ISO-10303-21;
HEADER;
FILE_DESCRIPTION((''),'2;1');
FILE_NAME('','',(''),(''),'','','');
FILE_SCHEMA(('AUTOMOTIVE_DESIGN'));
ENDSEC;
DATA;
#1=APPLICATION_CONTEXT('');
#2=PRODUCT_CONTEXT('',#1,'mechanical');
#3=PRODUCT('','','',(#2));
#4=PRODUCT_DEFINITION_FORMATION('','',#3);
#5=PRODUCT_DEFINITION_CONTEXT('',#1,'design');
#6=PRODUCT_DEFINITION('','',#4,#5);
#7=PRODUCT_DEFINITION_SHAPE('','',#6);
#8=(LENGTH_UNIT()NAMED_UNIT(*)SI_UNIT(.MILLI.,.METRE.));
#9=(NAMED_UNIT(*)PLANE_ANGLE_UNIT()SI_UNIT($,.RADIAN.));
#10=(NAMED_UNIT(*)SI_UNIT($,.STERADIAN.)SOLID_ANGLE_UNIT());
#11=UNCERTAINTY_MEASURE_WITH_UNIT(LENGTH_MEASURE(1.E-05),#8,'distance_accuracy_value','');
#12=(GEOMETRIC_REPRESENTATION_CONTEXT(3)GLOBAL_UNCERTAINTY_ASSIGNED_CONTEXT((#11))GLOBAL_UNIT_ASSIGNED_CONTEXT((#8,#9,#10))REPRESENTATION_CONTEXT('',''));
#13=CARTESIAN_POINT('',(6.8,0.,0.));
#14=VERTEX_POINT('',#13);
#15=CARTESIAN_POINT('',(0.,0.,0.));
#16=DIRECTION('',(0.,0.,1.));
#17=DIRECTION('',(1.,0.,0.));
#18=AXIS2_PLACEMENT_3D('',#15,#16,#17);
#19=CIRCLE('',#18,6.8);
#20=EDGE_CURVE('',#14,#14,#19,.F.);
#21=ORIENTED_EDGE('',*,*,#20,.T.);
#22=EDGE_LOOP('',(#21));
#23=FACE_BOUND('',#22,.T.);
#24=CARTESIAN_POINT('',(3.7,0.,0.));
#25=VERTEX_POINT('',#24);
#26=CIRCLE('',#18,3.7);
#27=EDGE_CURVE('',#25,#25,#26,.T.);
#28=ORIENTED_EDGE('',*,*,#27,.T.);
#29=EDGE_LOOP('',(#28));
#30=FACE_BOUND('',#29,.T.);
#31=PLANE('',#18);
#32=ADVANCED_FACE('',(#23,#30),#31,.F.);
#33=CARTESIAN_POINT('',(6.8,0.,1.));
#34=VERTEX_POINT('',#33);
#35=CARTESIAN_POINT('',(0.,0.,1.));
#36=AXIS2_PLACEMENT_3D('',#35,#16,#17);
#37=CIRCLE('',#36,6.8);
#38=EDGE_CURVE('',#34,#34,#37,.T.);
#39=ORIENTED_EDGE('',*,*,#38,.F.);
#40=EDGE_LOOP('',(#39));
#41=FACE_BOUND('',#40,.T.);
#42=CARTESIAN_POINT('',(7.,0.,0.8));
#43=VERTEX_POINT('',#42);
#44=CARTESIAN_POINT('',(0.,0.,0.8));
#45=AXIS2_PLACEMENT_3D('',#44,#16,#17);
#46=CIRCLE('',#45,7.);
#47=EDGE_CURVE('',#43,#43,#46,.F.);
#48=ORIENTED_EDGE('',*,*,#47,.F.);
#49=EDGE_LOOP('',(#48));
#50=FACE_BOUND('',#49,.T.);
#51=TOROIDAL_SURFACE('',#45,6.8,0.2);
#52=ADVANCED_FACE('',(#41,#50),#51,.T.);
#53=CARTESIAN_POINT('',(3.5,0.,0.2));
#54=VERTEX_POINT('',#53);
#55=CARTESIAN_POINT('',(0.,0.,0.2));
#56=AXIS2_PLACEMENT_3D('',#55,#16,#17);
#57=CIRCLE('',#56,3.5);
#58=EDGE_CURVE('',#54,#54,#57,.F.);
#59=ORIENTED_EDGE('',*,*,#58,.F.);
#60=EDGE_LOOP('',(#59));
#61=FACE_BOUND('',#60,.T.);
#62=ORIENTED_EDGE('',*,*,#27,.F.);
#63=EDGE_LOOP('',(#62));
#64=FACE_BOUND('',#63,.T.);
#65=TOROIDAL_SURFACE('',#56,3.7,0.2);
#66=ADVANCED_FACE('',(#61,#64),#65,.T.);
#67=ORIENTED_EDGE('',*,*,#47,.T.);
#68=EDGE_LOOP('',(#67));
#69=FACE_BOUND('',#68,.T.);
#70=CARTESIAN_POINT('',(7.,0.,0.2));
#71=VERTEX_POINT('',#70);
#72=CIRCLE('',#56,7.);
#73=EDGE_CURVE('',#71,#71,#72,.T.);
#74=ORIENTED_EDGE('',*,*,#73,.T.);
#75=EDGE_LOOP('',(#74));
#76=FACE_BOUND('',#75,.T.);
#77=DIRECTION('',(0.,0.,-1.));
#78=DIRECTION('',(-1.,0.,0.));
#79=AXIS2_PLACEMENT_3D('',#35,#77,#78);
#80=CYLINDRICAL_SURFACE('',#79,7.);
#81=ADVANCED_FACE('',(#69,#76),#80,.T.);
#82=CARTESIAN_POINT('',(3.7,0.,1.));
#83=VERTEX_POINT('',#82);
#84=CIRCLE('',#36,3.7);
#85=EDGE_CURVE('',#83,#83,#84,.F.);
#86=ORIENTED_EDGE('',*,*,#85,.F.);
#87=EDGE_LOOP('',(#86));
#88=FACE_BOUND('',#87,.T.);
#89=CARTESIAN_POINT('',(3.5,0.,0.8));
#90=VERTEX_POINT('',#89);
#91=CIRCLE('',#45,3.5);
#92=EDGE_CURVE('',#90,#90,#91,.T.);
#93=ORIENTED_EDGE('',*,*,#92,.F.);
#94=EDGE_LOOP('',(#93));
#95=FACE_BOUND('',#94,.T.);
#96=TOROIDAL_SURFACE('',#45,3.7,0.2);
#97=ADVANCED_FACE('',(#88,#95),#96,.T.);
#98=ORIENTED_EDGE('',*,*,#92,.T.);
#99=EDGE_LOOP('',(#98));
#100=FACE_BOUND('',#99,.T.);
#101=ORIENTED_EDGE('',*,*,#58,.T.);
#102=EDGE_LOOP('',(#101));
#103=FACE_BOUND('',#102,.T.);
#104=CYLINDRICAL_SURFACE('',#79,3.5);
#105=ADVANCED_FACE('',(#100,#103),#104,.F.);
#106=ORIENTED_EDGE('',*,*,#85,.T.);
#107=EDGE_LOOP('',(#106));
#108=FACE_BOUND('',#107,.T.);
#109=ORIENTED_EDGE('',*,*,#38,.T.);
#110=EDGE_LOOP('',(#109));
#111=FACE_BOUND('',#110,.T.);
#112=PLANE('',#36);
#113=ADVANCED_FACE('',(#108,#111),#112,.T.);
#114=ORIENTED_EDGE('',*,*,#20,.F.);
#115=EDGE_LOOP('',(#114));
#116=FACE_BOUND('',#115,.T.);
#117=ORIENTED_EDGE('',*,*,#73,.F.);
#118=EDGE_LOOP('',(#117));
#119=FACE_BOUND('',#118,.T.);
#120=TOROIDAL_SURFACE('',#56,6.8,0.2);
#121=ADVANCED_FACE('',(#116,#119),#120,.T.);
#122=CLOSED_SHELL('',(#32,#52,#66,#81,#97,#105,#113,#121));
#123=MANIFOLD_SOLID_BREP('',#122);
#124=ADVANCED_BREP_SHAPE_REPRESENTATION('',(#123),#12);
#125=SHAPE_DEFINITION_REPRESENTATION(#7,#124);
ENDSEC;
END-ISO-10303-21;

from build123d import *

# Parameters (mm, degrees)
ESQUISSE1_R        = 7
ESQUISSE1_R_2      = 3.5
BOSS_EXTRU_1_DEPTH = 1
CONG_1_R           = 0.2
CONG_2_R           = 0.2


with BuildPart() as part:
    # Esquisse1 → Boss.-Extru.1 (new body)
    with BuildSketch(Plane.XY):
        Circle(ESQUISSE1_R)
        Circle(ESQUISSE1_R_2, mode=Mode.SUBTRACT)
    extrude(amount=BOSS_EXTRU_1_DEPTH)

    # Congé1
    cong_1_edges = [part.edges().sort_by_distance(p)[0] for p in [
        (-7, 0, 0),
        (-7, 0, 1),
        (-3.5, 0, 1),
    ]]
    fillet(cong_1_edges, radius=CONG_1_R)

    # Congé2
    cong_2_edges = [part.edges().sort_by_distance(p)[0] for p in [
        (-3.5, 0, 0),
    ]]
    fillet(cong_2_edges, radius=CONG_2_R)


solid = part.part
